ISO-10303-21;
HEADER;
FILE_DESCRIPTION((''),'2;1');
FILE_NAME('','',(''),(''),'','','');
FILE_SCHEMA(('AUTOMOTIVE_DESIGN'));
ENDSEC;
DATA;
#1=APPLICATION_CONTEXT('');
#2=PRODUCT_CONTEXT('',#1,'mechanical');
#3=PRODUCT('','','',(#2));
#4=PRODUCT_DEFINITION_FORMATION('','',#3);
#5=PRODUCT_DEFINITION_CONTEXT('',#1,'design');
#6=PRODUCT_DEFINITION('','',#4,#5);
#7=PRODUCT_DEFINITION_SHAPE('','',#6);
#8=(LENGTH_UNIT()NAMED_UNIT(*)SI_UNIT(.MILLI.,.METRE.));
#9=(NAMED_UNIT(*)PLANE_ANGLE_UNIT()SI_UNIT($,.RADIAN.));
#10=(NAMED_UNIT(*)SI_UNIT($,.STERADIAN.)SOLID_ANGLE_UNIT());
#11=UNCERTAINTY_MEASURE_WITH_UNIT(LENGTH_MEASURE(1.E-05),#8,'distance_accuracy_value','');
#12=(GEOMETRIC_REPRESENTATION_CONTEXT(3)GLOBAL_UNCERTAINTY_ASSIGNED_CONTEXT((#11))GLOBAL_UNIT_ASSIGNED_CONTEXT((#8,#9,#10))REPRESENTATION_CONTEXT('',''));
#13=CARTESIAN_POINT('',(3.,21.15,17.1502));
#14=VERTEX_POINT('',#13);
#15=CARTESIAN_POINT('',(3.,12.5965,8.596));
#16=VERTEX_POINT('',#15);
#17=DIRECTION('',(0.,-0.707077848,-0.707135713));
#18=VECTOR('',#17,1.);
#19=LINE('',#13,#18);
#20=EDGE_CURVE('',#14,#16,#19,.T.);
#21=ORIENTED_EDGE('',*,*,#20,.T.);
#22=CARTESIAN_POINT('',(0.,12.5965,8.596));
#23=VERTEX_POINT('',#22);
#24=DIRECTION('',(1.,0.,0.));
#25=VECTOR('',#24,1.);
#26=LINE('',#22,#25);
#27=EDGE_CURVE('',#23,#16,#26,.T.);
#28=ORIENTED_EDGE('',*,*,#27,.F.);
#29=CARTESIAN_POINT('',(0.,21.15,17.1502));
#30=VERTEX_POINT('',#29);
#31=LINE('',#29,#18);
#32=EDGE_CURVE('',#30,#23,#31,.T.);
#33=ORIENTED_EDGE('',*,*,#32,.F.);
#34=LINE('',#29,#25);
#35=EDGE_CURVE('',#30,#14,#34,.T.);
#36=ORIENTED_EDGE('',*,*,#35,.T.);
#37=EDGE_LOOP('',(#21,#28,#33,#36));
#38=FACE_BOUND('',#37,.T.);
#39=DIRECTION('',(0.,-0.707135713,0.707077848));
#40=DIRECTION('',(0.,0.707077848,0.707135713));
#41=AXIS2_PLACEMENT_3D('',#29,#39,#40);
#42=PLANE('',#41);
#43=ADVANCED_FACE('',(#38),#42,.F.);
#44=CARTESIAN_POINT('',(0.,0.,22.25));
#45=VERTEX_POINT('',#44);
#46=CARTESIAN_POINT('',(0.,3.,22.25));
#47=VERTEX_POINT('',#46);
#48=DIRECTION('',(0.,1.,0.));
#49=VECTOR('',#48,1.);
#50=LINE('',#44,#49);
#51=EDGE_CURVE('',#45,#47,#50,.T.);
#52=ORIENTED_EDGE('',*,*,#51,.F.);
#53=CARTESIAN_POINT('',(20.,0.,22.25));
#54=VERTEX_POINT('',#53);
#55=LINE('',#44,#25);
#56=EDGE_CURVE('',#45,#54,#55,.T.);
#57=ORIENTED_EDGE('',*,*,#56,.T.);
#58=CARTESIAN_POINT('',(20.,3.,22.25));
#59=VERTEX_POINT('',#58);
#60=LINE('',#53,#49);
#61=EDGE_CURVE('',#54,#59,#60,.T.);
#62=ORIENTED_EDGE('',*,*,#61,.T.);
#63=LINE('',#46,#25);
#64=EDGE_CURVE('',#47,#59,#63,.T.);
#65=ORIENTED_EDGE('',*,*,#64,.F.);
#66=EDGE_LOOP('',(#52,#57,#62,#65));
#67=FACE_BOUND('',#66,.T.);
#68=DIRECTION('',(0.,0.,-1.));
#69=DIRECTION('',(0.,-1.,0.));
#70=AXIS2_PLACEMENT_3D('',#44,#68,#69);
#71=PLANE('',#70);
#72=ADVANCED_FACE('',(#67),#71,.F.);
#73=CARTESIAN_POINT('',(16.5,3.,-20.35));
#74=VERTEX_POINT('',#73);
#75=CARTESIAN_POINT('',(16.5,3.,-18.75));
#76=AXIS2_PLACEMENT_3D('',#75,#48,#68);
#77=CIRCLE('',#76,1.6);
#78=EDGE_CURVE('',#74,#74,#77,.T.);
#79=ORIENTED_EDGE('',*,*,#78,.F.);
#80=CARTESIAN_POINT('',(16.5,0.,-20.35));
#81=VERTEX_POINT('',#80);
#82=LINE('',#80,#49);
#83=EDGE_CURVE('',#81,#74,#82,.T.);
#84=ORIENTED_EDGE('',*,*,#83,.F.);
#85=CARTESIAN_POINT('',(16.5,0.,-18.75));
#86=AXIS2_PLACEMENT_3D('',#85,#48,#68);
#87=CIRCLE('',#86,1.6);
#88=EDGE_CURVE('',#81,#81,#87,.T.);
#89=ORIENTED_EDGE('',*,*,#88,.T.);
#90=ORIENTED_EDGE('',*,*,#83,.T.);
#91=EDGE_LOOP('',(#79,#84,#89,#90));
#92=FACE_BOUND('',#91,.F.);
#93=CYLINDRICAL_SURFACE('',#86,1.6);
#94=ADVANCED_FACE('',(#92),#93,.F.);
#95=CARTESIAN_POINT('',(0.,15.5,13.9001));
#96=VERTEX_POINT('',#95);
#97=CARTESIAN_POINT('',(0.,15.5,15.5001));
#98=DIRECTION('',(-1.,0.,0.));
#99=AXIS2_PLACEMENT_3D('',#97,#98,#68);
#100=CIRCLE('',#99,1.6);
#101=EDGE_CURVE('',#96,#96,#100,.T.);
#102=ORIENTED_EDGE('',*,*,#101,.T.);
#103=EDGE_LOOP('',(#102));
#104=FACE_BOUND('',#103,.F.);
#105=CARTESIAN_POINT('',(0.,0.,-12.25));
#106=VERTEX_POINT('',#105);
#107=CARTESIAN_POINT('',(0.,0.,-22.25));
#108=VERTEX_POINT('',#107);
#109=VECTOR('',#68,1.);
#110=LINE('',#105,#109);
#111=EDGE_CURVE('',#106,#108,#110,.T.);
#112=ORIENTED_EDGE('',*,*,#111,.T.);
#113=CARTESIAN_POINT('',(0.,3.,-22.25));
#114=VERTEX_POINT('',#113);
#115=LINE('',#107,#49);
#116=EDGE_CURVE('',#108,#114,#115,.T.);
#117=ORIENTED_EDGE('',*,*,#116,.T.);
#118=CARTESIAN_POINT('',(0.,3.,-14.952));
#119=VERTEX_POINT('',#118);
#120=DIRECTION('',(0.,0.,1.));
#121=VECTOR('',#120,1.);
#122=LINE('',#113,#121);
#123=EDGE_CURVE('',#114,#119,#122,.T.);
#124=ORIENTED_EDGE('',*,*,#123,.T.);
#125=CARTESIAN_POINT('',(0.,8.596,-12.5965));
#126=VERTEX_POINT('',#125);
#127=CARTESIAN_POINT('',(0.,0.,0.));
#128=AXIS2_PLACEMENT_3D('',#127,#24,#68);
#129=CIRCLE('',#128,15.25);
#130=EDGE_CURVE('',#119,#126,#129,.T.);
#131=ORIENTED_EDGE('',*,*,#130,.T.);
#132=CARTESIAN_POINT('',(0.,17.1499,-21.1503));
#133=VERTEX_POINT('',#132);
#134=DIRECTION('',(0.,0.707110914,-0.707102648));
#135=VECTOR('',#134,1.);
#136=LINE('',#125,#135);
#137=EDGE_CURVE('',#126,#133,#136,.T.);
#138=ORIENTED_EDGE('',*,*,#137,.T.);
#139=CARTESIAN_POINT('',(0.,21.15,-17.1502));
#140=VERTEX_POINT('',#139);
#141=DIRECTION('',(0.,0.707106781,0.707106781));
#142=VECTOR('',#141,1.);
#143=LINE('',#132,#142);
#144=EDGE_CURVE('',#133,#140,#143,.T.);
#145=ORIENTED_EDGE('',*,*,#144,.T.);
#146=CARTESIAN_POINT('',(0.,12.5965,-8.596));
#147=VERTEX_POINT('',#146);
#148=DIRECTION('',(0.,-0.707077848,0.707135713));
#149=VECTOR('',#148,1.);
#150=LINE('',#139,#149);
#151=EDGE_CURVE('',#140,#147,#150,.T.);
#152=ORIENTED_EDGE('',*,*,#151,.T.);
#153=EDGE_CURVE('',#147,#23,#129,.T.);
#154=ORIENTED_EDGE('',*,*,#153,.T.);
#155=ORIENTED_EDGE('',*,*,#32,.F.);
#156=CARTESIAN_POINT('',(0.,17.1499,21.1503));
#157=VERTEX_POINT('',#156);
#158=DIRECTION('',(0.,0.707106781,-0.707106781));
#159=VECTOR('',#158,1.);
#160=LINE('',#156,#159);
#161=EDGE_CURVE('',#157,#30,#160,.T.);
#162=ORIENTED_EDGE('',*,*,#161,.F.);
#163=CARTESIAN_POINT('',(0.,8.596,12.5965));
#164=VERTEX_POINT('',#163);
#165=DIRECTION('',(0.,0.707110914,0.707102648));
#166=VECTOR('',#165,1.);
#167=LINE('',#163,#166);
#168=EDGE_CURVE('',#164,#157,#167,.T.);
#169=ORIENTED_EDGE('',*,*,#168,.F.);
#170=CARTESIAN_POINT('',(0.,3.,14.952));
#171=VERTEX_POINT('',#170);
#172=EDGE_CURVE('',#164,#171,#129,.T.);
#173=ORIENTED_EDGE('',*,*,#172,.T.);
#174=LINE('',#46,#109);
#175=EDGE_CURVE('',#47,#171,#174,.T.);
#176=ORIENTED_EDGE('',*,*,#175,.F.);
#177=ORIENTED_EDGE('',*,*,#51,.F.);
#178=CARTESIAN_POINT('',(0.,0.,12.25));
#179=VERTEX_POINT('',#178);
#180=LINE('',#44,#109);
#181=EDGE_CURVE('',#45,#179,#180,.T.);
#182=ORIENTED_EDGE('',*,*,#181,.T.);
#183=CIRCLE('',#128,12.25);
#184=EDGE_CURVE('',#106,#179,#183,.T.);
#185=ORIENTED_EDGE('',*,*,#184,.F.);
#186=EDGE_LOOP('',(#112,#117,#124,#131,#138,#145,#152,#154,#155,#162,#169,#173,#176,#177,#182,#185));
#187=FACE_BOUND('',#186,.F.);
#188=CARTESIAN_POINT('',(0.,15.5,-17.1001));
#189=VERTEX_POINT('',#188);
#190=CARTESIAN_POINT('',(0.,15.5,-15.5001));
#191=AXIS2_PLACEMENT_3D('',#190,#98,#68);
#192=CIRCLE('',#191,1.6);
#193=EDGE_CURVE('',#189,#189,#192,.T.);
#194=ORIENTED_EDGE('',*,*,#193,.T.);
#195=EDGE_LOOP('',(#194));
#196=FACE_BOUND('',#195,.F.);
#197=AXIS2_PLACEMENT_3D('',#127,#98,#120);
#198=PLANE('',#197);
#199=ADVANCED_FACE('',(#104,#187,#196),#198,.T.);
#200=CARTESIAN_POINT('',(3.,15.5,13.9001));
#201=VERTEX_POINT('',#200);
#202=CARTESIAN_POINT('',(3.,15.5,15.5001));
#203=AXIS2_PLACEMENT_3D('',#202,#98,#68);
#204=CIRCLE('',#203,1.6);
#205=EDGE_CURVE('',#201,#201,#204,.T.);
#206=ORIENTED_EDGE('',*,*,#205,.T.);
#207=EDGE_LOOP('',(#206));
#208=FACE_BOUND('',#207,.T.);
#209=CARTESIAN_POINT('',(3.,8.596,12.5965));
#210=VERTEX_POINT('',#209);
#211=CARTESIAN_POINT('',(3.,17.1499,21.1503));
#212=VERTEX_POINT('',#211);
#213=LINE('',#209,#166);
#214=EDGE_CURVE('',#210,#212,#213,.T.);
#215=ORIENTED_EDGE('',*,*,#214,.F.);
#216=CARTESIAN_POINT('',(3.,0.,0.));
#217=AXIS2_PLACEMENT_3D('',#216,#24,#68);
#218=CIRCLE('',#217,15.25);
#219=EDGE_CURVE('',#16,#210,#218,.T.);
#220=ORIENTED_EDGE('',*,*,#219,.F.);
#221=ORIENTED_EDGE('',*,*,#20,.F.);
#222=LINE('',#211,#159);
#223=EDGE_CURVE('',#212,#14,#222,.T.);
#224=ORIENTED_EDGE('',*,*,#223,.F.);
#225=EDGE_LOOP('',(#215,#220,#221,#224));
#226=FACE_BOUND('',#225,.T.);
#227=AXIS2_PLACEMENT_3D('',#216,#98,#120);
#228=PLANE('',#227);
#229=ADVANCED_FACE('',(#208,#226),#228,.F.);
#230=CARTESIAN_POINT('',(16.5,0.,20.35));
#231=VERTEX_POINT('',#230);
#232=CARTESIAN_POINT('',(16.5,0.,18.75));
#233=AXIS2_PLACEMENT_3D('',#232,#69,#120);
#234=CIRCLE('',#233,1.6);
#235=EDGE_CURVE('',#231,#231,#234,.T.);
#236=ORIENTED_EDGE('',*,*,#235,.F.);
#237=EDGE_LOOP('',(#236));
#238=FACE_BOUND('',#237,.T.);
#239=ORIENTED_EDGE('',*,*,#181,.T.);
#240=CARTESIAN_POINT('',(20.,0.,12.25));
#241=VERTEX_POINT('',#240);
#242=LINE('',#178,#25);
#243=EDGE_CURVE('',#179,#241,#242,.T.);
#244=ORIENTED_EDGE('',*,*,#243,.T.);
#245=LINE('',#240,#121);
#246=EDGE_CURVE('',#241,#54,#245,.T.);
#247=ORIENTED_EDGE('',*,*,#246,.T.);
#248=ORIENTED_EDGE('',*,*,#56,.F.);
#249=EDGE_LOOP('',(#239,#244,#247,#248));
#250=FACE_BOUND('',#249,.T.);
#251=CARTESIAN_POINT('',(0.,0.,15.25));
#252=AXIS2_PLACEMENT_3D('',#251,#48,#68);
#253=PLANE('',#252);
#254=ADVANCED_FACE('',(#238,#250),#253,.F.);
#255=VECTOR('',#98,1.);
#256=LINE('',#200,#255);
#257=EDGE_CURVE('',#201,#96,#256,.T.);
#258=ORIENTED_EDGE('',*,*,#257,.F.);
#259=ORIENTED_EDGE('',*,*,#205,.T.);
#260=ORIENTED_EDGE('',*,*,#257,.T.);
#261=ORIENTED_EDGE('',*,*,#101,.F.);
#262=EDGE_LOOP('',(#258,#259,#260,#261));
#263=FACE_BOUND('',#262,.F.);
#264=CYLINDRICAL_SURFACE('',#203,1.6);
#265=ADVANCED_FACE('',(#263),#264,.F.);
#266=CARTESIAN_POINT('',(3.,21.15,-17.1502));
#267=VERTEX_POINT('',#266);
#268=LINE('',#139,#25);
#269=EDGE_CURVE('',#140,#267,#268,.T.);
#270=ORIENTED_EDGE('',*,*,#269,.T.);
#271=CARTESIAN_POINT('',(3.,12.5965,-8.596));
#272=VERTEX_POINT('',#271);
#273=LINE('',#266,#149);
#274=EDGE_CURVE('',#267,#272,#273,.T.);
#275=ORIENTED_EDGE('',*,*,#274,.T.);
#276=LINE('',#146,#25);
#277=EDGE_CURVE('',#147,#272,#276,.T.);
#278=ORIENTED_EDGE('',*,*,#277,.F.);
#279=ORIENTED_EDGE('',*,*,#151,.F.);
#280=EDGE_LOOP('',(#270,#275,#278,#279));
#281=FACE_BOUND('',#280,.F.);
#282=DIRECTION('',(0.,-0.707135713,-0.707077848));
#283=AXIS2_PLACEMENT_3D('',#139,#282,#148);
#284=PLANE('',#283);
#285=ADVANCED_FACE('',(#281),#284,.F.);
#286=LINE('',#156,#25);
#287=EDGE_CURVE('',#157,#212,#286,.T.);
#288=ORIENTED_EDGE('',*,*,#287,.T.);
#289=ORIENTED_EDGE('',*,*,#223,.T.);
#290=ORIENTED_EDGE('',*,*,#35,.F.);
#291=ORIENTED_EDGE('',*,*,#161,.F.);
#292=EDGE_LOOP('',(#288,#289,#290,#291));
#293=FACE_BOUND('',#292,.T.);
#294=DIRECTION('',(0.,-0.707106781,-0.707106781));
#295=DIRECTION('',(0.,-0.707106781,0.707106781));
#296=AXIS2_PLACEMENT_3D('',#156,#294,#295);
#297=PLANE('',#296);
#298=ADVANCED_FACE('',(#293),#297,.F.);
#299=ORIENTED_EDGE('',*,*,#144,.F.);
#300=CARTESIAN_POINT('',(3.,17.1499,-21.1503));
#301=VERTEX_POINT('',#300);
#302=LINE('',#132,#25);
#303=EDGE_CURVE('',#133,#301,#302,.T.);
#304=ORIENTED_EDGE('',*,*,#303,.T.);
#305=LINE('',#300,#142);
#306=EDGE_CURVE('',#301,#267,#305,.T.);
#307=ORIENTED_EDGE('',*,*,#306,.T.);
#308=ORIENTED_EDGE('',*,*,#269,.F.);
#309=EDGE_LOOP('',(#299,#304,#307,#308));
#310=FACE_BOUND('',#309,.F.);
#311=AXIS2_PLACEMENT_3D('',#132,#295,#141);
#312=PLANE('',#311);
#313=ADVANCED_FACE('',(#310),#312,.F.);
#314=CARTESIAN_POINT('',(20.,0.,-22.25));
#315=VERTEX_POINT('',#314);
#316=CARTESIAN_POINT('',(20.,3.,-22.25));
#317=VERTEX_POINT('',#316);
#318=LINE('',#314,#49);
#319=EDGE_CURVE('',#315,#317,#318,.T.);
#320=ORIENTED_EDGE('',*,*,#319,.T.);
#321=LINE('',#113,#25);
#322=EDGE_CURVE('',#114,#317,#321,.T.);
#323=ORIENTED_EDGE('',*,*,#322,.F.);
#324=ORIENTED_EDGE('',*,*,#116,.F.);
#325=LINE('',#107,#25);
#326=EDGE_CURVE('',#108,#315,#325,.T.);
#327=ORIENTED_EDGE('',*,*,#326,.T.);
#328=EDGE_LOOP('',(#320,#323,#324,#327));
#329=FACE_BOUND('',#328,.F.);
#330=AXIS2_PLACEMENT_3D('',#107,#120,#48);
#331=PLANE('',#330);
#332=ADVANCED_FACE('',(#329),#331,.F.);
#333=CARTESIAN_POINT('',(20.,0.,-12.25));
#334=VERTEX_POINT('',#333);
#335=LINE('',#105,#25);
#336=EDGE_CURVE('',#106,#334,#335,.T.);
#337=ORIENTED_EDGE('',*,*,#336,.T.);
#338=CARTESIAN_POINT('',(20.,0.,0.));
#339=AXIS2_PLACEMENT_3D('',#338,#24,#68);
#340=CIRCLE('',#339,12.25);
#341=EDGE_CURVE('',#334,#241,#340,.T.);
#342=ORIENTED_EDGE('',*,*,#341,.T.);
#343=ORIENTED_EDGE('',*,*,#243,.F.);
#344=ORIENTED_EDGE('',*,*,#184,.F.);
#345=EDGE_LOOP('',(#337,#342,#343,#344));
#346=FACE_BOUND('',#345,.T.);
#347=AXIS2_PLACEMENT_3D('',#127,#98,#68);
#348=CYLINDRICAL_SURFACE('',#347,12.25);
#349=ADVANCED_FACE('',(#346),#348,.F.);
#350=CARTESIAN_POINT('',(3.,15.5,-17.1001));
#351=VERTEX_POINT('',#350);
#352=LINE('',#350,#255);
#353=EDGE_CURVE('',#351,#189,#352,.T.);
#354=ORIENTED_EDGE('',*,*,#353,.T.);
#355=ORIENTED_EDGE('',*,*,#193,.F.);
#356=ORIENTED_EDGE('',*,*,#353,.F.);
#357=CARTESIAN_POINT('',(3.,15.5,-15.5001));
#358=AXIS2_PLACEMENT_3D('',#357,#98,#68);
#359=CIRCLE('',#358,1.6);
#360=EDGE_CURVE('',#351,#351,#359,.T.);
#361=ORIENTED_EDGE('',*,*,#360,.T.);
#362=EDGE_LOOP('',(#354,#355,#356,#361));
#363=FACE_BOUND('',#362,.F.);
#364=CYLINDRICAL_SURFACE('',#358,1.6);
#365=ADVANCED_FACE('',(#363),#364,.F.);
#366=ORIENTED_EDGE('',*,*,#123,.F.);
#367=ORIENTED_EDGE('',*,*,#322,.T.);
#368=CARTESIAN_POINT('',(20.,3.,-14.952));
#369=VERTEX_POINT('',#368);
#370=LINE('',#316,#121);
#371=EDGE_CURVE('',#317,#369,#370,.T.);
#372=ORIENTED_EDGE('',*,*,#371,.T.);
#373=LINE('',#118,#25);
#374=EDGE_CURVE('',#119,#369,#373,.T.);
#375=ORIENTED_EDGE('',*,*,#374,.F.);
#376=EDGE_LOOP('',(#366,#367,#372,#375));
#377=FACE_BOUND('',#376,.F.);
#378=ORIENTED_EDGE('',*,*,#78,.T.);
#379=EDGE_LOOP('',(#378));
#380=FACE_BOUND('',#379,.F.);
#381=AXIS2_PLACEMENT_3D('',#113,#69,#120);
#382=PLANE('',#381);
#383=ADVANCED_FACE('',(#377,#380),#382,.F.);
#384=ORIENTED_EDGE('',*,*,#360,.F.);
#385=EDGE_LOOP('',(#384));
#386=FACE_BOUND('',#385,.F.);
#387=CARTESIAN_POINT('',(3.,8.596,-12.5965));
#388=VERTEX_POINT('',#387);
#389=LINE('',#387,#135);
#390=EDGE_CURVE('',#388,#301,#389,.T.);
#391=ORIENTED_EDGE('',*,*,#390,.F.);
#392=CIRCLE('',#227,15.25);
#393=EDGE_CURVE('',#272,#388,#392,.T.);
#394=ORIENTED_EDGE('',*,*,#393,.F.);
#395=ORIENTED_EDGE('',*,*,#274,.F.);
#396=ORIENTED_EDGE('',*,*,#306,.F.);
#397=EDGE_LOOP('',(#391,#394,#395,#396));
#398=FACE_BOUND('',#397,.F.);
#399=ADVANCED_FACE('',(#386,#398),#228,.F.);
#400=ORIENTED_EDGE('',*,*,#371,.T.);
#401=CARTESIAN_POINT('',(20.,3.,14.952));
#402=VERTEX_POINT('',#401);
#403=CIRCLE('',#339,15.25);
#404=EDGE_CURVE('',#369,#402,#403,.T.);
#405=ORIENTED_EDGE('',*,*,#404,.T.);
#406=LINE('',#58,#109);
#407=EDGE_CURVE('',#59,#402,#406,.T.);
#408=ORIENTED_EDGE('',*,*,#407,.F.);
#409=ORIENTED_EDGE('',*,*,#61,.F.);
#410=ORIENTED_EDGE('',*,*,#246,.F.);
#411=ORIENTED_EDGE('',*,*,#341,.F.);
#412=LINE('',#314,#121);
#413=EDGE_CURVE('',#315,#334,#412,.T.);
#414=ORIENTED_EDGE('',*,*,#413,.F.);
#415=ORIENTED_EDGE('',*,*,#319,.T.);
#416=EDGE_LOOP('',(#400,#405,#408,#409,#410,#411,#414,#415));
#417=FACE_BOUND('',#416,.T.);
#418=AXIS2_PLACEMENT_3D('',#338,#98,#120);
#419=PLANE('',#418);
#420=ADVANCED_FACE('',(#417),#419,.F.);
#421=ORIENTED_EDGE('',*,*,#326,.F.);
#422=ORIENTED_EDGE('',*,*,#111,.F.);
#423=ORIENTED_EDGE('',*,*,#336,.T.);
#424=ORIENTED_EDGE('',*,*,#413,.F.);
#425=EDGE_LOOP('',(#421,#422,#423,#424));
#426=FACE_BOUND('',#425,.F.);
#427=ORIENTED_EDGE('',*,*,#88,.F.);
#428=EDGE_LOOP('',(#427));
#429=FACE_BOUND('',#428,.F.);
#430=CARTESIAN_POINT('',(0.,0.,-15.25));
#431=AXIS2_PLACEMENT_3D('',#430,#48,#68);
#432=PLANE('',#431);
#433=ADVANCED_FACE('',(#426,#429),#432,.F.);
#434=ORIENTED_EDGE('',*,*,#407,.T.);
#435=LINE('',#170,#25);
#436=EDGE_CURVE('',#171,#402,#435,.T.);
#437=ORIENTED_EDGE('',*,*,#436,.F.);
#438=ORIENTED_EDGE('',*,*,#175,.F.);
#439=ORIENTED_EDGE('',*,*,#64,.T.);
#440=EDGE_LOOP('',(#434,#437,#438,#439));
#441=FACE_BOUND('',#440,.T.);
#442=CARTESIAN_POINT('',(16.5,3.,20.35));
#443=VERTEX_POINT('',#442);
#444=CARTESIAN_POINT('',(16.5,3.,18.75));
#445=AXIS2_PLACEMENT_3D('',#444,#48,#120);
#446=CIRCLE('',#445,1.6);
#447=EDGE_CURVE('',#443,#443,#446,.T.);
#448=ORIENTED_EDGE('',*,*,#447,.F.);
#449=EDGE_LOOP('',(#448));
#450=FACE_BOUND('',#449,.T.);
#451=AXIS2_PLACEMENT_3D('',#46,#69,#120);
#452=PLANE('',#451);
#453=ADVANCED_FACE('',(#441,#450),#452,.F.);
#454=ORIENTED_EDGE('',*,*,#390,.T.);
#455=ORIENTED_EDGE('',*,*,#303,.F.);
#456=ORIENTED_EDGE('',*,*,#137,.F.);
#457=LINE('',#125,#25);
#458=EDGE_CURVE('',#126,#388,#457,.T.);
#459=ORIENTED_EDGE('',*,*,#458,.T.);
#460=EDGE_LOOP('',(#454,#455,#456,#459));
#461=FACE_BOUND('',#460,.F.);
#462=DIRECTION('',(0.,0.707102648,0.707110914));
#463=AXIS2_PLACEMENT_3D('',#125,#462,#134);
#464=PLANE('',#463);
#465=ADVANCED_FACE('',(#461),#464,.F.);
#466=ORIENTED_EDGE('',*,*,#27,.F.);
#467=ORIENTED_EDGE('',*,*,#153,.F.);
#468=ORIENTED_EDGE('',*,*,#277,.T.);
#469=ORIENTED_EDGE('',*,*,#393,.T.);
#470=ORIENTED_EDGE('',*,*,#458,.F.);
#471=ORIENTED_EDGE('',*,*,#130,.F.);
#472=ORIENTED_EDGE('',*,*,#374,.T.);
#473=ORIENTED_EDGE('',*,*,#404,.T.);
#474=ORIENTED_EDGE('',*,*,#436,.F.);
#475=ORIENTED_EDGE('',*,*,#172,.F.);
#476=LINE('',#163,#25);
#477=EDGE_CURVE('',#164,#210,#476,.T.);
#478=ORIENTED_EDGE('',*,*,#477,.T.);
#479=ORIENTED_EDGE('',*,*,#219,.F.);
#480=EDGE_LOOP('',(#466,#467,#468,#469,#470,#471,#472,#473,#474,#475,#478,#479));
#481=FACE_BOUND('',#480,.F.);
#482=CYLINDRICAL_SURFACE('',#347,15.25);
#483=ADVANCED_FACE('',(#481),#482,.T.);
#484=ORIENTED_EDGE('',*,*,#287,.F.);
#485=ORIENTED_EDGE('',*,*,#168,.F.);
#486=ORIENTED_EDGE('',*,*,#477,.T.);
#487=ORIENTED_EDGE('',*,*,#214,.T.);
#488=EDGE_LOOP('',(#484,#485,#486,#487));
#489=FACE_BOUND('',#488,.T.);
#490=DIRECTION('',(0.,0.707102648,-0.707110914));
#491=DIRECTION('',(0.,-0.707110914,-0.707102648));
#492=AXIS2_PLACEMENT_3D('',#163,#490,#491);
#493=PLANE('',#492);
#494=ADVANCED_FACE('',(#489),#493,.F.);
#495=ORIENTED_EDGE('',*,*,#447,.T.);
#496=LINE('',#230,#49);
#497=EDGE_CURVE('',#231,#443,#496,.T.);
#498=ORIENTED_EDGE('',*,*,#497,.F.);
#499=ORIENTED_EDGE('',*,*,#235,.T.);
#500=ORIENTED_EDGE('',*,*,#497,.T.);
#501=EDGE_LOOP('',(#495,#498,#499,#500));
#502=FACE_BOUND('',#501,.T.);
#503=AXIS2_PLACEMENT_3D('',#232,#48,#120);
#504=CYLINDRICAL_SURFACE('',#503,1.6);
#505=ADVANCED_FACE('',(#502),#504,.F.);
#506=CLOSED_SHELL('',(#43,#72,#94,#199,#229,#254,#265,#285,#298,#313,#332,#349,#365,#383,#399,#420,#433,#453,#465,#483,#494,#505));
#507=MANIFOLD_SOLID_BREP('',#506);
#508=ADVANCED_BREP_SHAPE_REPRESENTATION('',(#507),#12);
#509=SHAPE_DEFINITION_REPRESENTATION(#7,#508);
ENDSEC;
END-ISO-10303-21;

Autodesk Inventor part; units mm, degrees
ref_plane "YZ Plane" through (0, 0, 0) normal (1, 0, 0) x (0, 1, 0)
ref_plane "XZ Plane" through (0, 0, 0) normal (0, 1, 0) x (-1, 0, 0)
ref_plane "XY Plane" through (0, 0, 0) normal (0, 0, 1) x (1, 0, 0)
sketch "Skizze1" plane through (0, 0, 0) normal (1, 0, 0) x (0, 1, 0)
  arc A0 (0, -12.25) -> (0, 12.25) centre (0, 0) ccw
  arc A1 (0, -15.25) -> (0, 15.25) centre (0, 0) ccw
  line L0 (0, 15.25) -> (0, 12.25)
  line L1 (0, -12.25) -> (0, -15.25)
  dimension "d0" = 12.25
  dimension "d1" = 15.25
extrude "Extrusion1" add sketch "Skizze1" along normal blind 20
sketch "Skizze7" plane through (0, 0, 0) normal (-1, 0, 0) x (0, 0, 1)
  arc A0 (15.25, 0) -> (-15.25, 0) centre (0, 0) ccw projected
  line L0 (-12.5965, 8.596) -> (-21.1503, 17.1499)
  line L1 (-12.5965, 8.596) -> (-0.4995, 8.596) construction
  line L2 (-21.1503, 17.1499) -> (-17.1502, 21.15)
  line L3 (-17.1502, 21.15) -> (-8.596, 12.5965)
  arc A1 (-8.596, 12.5965) -> (-12.5965, 8.596) centre (0, 0) ccw
  dimension "d40" = 12.097
  dimension "d41" = 135
  dimension "d42" = 8.596
  dimension "d43" = 5.657
extrude "Extrusion4" add sketch "Skizze7" against normal blind 3
mirror "Spiegeln4" about plane through (0, 0, 0) normal (0, 0, 1) of "Extrusion4"
sketch "Skizze8" plane through (3, 21.15, 17.1502) normal (1, 0, 0) x (0, -0.7071, -0.7071)
  line L0 (-0.0002, -5.657) -> (0, 0) projected
  line L1 (29.9122, 24.2528) -> (24.2552, 24.253) projected
  line L2 (24.2552, 24.253) -> (24.2541, 12.156) projected
  line L3 (0, 0) -> (12.097, 0) projected
  point P0 (27.0822, -2.8294)
  point P1 (5.1619, -2.8285)
  point P2 (27.0832, 19.0909)
  point P3 (27.0837, 24.2529)
  dimension "d53" = 5.162
  dimension "d54" = 5.162
  dimension "d55" = 2.8285
  dimension "d56" = 2.8285
hole "Bohrung3" at (3, 15.5, 15.5001) at (3, 15.5, -15.5001) direction (-1, 0, 0) diameter 3.2 end through all
sketch "Skizze9" plane through (0, 0, 0) normal (-1, 0, 0) x (0, 0, 1)
  line L0 (-12.25, 0) -> (-15.25, 0) projected
  line L1 (-15.25, 0) -> (-22.25, 0)
  line L2 (-22.25, 0) -> (-22.25, 3)
  line L3 (-22.25, 3) -> (-14.952, 3)
  arc A0 (-12.5965, 8.596) -> (-15.25, 0) centre (0, 0) ccw projected
  arc A1 (-14.952, 3) -> (-15.25, 0) centre (0, 0) ccw
  dimension "d57" = 7
  dimension "d58" = 3
extrude "Extrusion5" add sketch "Skizze9" against normal blind 20
sketch "Skizze10" plane through (0, 0, -12.25) normal (0, -1, 0) x (1, 0, 0)
  line L0 (20, 0) -> (20, -10) projected
  line L1 (0, -10) -> (20, -10) projected
  point P0 (0, 12.25)
  point P1 (16.5, -6.5)
  dimension "d68" = 3.5
  dimension "d69" = 3.5
hole "Bohrung4" at (16.5, 0, -18.75) direction (0, 1, 0) diameter 3.2 end through all
mirror "Spiegeln5" about plane through (0, 0, 0) normal (0, 0, 1) of "Extrusion5", "Bohrung4"
properties part number "SensorHalterSchale"
